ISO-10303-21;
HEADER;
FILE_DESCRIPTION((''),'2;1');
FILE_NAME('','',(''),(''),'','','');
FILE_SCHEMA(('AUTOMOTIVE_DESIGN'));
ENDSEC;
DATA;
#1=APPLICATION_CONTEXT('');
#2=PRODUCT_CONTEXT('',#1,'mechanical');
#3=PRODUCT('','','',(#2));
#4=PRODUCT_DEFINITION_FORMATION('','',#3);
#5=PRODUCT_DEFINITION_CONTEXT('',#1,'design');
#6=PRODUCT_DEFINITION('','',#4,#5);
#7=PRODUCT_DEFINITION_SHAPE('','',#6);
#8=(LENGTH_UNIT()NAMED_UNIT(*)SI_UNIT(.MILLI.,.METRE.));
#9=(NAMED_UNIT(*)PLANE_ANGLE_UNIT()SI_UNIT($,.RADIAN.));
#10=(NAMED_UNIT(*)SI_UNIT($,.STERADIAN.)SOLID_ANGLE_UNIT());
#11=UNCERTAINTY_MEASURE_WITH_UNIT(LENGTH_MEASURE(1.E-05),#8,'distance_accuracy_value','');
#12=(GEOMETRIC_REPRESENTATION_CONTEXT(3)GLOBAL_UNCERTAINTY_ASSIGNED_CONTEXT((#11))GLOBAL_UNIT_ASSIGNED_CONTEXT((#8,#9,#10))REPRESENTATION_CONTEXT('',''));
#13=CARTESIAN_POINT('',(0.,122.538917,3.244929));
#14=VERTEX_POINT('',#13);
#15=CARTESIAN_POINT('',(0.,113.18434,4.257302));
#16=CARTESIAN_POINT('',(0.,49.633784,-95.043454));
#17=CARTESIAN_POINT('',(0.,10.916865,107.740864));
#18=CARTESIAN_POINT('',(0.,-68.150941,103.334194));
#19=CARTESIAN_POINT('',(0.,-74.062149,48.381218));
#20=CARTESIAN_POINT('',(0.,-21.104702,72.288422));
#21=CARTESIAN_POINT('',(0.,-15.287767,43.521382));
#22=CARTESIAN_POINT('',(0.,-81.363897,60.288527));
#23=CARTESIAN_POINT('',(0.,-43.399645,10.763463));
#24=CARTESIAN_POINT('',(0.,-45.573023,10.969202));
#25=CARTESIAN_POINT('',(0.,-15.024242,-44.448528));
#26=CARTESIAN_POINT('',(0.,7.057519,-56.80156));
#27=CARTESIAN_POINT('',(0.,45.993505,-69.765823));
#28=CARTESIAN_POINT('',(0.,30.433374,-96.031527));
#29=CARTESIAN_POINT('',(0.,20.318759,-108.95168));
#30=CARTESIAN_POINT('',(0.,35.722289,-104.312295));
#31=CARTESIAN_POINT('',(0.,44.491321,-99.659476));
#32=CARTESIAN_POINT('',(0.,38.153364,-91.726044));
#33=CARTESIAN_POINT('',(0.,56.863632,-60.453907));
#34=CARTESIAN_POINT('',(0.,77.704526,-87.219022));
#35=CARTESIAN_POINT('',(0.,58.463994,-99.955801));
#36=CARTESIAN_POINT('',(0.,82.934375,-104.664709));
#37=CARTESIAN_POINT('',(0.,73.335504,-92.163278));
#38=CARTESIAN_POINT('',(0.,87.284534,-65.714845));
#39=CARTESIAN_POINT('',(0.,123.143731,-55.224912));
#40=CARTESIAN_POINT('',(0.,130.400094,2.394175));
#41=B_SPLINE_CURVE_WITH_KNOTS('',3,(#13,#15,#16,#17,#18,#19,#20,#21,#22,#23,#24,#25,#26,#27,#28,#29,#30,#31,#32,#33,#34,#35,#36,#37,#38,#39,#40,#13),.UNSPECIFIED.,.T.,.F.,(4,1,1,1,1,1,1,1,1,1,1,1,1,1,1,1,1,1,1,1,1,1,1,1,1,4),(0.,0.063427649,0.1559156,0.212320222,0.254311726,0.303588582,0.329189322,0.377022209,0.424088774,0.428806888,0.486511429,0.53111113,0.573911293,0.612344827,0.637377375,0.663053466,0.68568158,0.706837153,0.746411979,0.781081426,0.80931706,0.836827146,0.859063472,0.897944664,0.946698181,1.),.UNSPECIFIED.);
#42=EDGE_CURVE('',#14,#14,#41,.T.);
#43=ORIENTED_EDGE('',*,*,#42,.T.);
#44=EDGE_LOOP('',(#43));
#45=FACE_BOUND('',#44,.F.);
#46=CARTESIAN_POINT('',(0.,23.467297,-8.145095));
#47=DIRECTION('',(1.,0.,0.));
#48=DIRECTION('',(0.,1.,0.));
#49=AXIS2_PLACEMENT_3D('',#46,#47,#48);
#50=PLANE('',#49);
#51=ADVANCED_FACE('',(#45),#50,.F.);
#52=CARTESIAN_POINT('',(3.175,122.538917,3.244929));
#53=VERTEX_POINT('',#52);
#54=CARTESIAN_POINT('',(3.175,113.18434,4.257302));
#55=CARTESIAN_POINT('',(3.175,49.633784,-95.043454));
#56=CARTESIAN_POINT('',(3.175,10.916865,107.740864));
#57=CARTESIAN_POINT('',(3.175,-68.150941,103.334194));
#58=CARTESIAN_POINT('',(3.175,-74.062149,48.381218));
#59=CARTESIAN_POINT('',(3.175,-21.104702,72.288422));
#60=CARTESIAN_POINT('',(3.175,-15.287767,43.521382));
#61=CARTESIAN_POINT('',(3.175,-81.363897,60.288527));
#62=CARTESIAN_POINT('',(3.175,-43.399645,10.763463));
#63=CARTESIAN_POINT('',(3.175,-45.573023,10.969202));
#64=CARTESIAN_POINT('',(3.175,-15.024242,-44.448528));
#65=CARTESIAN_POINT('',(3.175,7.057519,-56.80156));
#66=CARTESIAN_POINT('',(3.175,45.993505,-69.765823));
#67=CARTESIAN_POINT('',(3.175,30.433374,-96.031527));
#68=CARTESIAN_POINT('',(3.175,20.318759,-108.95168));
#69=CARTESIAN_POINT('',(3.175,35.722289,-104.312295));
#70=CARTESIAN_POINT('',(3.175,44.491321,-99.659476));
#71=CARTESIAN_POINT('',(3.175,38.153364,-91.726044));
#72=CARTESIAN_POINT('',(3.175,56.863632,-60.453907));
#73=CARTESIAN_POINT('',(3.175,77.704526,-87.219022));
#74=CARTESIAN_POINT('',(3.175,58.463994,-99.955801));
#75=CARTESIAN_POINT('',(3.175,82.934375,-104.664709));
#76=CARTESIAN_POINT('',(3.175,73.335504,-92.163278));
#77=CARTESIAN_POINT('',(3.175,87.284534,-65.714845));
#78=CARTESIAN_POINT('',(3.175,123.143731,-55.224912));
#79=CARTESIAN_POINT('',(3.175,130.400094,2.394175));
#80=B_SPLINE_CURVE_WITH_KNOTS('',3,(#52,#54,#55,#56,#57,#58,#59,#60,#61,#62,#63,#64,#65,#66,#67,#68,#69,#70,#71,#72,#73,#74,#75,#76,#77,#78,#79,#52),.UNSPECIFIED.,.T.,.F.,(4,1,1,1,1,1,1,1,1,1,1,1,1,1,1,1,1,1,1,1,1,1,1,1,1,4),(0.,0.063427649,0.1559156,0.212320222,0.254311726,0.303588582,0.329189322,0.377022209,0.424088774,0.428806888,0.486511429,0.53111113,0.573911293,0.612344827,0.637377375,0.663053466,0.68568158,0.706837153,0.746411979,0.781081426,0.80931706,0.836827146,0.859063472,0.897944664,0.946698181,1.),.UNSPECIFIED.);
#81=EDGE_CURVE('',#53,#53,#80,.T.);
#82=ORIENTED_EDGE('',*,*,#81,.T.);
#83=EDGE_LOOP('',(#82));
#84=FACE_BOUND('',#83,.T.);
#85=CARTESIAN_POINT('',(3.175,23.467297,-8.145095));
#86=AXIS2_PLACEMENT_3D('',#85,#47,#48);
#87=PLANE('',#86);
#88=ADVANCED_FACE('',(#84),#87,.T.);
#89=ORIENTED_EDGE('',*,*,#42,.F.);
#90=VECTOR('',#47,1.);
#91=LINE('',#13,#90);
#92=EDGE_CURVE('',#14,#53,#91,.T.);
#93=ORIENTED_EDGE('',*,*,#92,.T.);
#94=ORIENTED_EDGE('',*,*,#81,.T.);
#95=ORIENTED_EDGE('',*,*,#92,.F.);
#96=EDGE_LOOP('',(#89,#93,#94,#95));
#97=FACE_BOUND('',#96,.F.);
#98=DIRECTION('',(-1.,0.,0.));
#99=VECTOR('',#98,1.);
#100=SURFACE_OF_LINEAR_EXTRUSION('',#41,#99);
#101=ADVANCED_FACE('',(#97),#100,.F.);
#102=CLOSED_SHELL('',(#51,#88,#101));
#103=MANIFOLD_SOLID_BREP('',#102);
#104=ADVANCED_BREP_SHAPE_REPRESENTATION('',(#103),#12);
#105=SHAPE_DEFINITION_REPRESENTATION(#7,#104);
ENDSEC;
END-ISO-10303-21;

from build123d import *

# Parameters (mm, degrees)
F3_DEPTH = 3.175


with BuildPart() as f3:
    # F1 (on face) → F3 (new body)
    with BuildSketch(Plane.YZ):
        with BuildLine():
            add(Edge.make_bspline(
                [(122.5389167666, 3.2449290156), (113.1843398375, 4.2573015774), (49.6337837491, -95.0434537462), (10.9168650359, 107.7408642722), (-68.1509406241, 103.3341938995), (-74.0621485623, 48.3812175796), (-21.1047020942, 72.2884221006), (-15.2877666295, 43.5213815843), (-81.3638968451, 60.28852747), (-43.3996448734, 10.7634627219), (-45.5730230795, 10.9692018968), (-15.0242421527, -44.448528145), (7.0575185098, -56.8015604037), (45.9935047056, -69.7658233746), (30.4333737034, -96.031527008), (20.3187585289, -108.9516795551), (35.7222892234, -104.3122950615), (44.4913214361, -99.6594756487), (38.1533636088, -91.726044152), (56.8636315154, -60.4539069325), (77.7045259597, -87.2190224457), (58.4639939153, -99.9558014748), (82.9343751064, -104.6647085455), (73.3355041025, -92.1632776046), (87.2845337032, -65.7148451163), (123.1437308222, -55.2249117629), (130.4000936179, 2.3941754426), (122.5389167666, 3.2449290156)],
                knots=[0, 0, 0, 0, 0.0634276485, 0.1559156003, 0.2123202225, 0.2543117257, 0.3035885818, 0.3291893222, 0.3770222093, 0.4240887742, 0.4288068883, 0.486511429, 0.5311111299, 0.5739112934, 0.6123448267, 0.6373773746, 0.6630534664, 0.6856815801, 0.7068371527, 0.746411979, 0.7810814262, 0.8093170599, 0.8368271456, 0.8590634723, 0.8979446645, 0.9466981814, 1, 1, 1, 1], degree=3))
        make_face()
    extrude(amount=F3_DEPTH)


solid = f3.part
